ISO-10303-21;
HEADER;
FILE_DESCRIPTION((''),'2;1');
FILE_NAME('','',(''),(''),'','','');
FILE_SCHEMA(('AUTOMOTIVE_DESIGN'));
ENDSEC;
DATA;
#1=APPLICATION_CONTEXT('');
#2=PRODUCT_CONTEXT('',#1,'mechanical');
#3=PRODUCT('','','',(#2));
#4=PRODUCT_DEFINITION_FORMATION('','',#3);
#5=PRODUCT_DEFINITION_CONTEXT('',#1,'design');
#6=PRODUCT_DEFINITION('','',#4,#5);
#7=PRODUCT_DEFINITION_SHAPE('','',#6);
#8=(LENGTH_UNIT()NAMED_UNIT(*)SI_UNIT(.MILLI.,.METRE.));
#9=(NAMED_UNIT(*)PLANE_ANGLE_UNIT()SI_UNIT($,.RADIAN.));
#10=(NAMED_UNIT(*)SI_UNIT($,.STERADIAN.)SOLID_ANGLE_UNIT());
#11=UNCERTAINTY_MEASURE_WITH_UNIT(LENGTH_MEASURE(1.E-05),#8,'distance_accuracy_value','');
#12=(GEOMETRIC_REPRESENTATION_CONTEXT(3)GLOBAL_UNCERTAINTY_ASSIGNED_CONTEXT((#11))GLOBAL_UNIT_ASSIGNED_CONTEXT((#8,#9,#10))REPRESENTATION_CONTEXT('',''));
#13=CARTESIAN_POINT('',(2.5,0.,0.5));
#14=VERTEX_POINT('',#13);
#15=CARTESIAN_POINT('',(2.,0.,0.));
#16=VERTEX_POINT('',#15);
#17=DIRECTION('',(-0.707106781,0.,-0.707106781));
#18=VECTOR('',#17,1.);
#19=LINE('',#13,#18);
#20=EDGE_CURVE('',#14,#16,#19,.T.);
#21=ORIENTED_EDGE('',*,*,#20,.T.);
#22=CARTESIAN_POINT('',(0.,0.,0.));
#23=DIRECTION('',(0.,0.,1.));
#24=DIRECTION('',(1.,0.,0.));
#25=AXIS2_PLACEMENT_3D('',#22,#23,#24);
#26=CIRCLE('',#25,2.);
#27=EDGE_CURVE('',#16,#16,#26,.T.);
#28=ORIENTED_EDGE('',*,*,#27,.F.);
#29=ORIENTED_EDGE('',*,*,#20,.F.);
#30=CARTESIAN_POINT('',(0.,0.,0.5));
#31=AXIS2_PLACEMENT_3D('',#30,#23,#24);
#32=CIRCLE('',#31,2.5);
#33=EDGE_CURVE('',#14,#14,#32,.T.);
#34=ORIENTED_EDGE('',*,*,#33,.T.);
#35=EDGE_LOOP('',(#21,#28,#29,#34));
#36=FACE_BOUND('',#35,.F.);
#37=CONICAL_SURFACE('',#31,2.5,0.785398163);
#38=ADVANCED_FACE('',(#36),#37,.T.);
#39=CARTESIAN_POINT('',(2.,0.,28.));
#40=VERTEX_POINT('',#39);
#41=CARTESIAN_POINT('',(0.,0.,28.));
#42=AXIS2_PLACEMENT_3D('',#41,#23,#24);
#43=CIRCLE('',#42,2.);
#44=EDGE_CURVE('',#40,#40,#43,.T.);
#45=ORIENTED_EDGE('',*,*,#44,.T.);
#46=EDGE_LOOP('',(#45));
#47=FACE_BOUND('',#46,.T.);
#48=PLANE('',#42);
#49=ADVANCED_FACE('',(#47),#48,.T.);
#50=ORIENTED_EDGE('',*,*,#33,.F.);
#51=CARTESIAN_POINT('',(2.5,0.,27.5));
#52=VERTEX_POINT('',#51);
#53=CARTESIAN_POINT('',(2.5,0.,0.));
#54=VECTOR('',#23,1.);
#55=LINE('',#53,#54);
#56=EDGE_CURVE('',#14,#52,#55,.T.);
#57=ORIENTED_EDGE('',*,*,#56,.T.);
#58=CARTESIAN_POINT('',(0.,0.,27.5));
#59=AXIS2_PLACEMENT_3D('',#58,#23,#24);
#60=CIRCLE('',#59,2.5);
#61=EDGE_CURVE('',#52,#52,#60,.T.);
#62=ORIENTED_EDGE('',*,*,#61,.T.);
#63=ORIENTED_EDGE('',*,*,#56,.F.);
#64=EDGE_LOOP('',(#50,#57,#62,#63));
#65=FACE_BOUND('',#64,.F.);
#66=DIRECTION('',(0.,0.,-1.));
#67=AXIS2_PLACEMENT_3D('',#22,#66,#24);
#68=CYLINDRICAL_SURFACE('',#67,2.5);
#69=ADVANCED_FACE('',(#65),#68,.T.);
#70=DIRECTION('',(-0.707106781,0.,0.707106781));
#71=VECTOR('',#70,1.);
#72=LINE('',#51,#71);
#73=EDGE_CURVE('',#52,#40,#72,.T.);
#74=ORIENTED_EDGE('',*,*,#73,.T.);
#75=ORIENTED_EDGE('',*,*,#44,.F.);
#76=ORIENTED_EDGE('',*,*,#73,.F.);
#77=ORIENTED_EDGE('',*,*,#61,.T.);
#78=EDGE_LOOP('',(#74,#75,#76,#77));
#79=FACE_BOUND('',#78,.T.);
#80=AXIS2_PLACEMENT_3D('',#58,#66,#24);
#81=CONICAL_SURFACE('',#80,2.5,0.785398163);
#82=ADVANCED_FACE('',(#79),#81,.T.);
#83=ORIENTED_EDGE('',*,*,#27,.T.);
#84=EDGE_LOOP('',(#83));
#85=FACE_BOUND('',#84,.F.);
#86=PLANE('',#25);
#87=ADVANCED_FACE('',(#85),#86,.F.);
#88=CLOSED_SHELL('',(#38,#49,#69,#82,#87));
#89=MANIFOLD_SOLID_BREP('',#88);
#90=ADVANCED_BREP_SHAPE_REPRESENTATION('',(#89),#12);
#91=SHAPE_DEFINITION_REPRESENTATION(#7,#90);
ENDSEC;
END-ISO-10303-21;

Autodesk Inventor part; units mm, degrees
ref_plane "YZ Plane" through (0, 0, 0) normal (1, 0, 0) x (0, 1, 0)
ref_plane "XZ Plane" through (0, 0, 0) normal (0, 1, 0) x (-1, 0, 0)
ref_plane "XY Plane" through (0, 0, 0) normal (0, 0, 1) x (1, 0, 0)
sketch "Boceto1" plane through (0, 0, 0) normal (0, 0, 1) x (1, 0, 0)
  circle A0 centre (0, 0) radius 2.5
extrude "Extrusión1" add sketch "Boceto1" along normal blind 28
chamfer "Chaflán1" distance 0.5 angle 45 2 edges at (-2.5, 0, 28) (-2.5, 0, 0)
properties part number "eje polea x"
